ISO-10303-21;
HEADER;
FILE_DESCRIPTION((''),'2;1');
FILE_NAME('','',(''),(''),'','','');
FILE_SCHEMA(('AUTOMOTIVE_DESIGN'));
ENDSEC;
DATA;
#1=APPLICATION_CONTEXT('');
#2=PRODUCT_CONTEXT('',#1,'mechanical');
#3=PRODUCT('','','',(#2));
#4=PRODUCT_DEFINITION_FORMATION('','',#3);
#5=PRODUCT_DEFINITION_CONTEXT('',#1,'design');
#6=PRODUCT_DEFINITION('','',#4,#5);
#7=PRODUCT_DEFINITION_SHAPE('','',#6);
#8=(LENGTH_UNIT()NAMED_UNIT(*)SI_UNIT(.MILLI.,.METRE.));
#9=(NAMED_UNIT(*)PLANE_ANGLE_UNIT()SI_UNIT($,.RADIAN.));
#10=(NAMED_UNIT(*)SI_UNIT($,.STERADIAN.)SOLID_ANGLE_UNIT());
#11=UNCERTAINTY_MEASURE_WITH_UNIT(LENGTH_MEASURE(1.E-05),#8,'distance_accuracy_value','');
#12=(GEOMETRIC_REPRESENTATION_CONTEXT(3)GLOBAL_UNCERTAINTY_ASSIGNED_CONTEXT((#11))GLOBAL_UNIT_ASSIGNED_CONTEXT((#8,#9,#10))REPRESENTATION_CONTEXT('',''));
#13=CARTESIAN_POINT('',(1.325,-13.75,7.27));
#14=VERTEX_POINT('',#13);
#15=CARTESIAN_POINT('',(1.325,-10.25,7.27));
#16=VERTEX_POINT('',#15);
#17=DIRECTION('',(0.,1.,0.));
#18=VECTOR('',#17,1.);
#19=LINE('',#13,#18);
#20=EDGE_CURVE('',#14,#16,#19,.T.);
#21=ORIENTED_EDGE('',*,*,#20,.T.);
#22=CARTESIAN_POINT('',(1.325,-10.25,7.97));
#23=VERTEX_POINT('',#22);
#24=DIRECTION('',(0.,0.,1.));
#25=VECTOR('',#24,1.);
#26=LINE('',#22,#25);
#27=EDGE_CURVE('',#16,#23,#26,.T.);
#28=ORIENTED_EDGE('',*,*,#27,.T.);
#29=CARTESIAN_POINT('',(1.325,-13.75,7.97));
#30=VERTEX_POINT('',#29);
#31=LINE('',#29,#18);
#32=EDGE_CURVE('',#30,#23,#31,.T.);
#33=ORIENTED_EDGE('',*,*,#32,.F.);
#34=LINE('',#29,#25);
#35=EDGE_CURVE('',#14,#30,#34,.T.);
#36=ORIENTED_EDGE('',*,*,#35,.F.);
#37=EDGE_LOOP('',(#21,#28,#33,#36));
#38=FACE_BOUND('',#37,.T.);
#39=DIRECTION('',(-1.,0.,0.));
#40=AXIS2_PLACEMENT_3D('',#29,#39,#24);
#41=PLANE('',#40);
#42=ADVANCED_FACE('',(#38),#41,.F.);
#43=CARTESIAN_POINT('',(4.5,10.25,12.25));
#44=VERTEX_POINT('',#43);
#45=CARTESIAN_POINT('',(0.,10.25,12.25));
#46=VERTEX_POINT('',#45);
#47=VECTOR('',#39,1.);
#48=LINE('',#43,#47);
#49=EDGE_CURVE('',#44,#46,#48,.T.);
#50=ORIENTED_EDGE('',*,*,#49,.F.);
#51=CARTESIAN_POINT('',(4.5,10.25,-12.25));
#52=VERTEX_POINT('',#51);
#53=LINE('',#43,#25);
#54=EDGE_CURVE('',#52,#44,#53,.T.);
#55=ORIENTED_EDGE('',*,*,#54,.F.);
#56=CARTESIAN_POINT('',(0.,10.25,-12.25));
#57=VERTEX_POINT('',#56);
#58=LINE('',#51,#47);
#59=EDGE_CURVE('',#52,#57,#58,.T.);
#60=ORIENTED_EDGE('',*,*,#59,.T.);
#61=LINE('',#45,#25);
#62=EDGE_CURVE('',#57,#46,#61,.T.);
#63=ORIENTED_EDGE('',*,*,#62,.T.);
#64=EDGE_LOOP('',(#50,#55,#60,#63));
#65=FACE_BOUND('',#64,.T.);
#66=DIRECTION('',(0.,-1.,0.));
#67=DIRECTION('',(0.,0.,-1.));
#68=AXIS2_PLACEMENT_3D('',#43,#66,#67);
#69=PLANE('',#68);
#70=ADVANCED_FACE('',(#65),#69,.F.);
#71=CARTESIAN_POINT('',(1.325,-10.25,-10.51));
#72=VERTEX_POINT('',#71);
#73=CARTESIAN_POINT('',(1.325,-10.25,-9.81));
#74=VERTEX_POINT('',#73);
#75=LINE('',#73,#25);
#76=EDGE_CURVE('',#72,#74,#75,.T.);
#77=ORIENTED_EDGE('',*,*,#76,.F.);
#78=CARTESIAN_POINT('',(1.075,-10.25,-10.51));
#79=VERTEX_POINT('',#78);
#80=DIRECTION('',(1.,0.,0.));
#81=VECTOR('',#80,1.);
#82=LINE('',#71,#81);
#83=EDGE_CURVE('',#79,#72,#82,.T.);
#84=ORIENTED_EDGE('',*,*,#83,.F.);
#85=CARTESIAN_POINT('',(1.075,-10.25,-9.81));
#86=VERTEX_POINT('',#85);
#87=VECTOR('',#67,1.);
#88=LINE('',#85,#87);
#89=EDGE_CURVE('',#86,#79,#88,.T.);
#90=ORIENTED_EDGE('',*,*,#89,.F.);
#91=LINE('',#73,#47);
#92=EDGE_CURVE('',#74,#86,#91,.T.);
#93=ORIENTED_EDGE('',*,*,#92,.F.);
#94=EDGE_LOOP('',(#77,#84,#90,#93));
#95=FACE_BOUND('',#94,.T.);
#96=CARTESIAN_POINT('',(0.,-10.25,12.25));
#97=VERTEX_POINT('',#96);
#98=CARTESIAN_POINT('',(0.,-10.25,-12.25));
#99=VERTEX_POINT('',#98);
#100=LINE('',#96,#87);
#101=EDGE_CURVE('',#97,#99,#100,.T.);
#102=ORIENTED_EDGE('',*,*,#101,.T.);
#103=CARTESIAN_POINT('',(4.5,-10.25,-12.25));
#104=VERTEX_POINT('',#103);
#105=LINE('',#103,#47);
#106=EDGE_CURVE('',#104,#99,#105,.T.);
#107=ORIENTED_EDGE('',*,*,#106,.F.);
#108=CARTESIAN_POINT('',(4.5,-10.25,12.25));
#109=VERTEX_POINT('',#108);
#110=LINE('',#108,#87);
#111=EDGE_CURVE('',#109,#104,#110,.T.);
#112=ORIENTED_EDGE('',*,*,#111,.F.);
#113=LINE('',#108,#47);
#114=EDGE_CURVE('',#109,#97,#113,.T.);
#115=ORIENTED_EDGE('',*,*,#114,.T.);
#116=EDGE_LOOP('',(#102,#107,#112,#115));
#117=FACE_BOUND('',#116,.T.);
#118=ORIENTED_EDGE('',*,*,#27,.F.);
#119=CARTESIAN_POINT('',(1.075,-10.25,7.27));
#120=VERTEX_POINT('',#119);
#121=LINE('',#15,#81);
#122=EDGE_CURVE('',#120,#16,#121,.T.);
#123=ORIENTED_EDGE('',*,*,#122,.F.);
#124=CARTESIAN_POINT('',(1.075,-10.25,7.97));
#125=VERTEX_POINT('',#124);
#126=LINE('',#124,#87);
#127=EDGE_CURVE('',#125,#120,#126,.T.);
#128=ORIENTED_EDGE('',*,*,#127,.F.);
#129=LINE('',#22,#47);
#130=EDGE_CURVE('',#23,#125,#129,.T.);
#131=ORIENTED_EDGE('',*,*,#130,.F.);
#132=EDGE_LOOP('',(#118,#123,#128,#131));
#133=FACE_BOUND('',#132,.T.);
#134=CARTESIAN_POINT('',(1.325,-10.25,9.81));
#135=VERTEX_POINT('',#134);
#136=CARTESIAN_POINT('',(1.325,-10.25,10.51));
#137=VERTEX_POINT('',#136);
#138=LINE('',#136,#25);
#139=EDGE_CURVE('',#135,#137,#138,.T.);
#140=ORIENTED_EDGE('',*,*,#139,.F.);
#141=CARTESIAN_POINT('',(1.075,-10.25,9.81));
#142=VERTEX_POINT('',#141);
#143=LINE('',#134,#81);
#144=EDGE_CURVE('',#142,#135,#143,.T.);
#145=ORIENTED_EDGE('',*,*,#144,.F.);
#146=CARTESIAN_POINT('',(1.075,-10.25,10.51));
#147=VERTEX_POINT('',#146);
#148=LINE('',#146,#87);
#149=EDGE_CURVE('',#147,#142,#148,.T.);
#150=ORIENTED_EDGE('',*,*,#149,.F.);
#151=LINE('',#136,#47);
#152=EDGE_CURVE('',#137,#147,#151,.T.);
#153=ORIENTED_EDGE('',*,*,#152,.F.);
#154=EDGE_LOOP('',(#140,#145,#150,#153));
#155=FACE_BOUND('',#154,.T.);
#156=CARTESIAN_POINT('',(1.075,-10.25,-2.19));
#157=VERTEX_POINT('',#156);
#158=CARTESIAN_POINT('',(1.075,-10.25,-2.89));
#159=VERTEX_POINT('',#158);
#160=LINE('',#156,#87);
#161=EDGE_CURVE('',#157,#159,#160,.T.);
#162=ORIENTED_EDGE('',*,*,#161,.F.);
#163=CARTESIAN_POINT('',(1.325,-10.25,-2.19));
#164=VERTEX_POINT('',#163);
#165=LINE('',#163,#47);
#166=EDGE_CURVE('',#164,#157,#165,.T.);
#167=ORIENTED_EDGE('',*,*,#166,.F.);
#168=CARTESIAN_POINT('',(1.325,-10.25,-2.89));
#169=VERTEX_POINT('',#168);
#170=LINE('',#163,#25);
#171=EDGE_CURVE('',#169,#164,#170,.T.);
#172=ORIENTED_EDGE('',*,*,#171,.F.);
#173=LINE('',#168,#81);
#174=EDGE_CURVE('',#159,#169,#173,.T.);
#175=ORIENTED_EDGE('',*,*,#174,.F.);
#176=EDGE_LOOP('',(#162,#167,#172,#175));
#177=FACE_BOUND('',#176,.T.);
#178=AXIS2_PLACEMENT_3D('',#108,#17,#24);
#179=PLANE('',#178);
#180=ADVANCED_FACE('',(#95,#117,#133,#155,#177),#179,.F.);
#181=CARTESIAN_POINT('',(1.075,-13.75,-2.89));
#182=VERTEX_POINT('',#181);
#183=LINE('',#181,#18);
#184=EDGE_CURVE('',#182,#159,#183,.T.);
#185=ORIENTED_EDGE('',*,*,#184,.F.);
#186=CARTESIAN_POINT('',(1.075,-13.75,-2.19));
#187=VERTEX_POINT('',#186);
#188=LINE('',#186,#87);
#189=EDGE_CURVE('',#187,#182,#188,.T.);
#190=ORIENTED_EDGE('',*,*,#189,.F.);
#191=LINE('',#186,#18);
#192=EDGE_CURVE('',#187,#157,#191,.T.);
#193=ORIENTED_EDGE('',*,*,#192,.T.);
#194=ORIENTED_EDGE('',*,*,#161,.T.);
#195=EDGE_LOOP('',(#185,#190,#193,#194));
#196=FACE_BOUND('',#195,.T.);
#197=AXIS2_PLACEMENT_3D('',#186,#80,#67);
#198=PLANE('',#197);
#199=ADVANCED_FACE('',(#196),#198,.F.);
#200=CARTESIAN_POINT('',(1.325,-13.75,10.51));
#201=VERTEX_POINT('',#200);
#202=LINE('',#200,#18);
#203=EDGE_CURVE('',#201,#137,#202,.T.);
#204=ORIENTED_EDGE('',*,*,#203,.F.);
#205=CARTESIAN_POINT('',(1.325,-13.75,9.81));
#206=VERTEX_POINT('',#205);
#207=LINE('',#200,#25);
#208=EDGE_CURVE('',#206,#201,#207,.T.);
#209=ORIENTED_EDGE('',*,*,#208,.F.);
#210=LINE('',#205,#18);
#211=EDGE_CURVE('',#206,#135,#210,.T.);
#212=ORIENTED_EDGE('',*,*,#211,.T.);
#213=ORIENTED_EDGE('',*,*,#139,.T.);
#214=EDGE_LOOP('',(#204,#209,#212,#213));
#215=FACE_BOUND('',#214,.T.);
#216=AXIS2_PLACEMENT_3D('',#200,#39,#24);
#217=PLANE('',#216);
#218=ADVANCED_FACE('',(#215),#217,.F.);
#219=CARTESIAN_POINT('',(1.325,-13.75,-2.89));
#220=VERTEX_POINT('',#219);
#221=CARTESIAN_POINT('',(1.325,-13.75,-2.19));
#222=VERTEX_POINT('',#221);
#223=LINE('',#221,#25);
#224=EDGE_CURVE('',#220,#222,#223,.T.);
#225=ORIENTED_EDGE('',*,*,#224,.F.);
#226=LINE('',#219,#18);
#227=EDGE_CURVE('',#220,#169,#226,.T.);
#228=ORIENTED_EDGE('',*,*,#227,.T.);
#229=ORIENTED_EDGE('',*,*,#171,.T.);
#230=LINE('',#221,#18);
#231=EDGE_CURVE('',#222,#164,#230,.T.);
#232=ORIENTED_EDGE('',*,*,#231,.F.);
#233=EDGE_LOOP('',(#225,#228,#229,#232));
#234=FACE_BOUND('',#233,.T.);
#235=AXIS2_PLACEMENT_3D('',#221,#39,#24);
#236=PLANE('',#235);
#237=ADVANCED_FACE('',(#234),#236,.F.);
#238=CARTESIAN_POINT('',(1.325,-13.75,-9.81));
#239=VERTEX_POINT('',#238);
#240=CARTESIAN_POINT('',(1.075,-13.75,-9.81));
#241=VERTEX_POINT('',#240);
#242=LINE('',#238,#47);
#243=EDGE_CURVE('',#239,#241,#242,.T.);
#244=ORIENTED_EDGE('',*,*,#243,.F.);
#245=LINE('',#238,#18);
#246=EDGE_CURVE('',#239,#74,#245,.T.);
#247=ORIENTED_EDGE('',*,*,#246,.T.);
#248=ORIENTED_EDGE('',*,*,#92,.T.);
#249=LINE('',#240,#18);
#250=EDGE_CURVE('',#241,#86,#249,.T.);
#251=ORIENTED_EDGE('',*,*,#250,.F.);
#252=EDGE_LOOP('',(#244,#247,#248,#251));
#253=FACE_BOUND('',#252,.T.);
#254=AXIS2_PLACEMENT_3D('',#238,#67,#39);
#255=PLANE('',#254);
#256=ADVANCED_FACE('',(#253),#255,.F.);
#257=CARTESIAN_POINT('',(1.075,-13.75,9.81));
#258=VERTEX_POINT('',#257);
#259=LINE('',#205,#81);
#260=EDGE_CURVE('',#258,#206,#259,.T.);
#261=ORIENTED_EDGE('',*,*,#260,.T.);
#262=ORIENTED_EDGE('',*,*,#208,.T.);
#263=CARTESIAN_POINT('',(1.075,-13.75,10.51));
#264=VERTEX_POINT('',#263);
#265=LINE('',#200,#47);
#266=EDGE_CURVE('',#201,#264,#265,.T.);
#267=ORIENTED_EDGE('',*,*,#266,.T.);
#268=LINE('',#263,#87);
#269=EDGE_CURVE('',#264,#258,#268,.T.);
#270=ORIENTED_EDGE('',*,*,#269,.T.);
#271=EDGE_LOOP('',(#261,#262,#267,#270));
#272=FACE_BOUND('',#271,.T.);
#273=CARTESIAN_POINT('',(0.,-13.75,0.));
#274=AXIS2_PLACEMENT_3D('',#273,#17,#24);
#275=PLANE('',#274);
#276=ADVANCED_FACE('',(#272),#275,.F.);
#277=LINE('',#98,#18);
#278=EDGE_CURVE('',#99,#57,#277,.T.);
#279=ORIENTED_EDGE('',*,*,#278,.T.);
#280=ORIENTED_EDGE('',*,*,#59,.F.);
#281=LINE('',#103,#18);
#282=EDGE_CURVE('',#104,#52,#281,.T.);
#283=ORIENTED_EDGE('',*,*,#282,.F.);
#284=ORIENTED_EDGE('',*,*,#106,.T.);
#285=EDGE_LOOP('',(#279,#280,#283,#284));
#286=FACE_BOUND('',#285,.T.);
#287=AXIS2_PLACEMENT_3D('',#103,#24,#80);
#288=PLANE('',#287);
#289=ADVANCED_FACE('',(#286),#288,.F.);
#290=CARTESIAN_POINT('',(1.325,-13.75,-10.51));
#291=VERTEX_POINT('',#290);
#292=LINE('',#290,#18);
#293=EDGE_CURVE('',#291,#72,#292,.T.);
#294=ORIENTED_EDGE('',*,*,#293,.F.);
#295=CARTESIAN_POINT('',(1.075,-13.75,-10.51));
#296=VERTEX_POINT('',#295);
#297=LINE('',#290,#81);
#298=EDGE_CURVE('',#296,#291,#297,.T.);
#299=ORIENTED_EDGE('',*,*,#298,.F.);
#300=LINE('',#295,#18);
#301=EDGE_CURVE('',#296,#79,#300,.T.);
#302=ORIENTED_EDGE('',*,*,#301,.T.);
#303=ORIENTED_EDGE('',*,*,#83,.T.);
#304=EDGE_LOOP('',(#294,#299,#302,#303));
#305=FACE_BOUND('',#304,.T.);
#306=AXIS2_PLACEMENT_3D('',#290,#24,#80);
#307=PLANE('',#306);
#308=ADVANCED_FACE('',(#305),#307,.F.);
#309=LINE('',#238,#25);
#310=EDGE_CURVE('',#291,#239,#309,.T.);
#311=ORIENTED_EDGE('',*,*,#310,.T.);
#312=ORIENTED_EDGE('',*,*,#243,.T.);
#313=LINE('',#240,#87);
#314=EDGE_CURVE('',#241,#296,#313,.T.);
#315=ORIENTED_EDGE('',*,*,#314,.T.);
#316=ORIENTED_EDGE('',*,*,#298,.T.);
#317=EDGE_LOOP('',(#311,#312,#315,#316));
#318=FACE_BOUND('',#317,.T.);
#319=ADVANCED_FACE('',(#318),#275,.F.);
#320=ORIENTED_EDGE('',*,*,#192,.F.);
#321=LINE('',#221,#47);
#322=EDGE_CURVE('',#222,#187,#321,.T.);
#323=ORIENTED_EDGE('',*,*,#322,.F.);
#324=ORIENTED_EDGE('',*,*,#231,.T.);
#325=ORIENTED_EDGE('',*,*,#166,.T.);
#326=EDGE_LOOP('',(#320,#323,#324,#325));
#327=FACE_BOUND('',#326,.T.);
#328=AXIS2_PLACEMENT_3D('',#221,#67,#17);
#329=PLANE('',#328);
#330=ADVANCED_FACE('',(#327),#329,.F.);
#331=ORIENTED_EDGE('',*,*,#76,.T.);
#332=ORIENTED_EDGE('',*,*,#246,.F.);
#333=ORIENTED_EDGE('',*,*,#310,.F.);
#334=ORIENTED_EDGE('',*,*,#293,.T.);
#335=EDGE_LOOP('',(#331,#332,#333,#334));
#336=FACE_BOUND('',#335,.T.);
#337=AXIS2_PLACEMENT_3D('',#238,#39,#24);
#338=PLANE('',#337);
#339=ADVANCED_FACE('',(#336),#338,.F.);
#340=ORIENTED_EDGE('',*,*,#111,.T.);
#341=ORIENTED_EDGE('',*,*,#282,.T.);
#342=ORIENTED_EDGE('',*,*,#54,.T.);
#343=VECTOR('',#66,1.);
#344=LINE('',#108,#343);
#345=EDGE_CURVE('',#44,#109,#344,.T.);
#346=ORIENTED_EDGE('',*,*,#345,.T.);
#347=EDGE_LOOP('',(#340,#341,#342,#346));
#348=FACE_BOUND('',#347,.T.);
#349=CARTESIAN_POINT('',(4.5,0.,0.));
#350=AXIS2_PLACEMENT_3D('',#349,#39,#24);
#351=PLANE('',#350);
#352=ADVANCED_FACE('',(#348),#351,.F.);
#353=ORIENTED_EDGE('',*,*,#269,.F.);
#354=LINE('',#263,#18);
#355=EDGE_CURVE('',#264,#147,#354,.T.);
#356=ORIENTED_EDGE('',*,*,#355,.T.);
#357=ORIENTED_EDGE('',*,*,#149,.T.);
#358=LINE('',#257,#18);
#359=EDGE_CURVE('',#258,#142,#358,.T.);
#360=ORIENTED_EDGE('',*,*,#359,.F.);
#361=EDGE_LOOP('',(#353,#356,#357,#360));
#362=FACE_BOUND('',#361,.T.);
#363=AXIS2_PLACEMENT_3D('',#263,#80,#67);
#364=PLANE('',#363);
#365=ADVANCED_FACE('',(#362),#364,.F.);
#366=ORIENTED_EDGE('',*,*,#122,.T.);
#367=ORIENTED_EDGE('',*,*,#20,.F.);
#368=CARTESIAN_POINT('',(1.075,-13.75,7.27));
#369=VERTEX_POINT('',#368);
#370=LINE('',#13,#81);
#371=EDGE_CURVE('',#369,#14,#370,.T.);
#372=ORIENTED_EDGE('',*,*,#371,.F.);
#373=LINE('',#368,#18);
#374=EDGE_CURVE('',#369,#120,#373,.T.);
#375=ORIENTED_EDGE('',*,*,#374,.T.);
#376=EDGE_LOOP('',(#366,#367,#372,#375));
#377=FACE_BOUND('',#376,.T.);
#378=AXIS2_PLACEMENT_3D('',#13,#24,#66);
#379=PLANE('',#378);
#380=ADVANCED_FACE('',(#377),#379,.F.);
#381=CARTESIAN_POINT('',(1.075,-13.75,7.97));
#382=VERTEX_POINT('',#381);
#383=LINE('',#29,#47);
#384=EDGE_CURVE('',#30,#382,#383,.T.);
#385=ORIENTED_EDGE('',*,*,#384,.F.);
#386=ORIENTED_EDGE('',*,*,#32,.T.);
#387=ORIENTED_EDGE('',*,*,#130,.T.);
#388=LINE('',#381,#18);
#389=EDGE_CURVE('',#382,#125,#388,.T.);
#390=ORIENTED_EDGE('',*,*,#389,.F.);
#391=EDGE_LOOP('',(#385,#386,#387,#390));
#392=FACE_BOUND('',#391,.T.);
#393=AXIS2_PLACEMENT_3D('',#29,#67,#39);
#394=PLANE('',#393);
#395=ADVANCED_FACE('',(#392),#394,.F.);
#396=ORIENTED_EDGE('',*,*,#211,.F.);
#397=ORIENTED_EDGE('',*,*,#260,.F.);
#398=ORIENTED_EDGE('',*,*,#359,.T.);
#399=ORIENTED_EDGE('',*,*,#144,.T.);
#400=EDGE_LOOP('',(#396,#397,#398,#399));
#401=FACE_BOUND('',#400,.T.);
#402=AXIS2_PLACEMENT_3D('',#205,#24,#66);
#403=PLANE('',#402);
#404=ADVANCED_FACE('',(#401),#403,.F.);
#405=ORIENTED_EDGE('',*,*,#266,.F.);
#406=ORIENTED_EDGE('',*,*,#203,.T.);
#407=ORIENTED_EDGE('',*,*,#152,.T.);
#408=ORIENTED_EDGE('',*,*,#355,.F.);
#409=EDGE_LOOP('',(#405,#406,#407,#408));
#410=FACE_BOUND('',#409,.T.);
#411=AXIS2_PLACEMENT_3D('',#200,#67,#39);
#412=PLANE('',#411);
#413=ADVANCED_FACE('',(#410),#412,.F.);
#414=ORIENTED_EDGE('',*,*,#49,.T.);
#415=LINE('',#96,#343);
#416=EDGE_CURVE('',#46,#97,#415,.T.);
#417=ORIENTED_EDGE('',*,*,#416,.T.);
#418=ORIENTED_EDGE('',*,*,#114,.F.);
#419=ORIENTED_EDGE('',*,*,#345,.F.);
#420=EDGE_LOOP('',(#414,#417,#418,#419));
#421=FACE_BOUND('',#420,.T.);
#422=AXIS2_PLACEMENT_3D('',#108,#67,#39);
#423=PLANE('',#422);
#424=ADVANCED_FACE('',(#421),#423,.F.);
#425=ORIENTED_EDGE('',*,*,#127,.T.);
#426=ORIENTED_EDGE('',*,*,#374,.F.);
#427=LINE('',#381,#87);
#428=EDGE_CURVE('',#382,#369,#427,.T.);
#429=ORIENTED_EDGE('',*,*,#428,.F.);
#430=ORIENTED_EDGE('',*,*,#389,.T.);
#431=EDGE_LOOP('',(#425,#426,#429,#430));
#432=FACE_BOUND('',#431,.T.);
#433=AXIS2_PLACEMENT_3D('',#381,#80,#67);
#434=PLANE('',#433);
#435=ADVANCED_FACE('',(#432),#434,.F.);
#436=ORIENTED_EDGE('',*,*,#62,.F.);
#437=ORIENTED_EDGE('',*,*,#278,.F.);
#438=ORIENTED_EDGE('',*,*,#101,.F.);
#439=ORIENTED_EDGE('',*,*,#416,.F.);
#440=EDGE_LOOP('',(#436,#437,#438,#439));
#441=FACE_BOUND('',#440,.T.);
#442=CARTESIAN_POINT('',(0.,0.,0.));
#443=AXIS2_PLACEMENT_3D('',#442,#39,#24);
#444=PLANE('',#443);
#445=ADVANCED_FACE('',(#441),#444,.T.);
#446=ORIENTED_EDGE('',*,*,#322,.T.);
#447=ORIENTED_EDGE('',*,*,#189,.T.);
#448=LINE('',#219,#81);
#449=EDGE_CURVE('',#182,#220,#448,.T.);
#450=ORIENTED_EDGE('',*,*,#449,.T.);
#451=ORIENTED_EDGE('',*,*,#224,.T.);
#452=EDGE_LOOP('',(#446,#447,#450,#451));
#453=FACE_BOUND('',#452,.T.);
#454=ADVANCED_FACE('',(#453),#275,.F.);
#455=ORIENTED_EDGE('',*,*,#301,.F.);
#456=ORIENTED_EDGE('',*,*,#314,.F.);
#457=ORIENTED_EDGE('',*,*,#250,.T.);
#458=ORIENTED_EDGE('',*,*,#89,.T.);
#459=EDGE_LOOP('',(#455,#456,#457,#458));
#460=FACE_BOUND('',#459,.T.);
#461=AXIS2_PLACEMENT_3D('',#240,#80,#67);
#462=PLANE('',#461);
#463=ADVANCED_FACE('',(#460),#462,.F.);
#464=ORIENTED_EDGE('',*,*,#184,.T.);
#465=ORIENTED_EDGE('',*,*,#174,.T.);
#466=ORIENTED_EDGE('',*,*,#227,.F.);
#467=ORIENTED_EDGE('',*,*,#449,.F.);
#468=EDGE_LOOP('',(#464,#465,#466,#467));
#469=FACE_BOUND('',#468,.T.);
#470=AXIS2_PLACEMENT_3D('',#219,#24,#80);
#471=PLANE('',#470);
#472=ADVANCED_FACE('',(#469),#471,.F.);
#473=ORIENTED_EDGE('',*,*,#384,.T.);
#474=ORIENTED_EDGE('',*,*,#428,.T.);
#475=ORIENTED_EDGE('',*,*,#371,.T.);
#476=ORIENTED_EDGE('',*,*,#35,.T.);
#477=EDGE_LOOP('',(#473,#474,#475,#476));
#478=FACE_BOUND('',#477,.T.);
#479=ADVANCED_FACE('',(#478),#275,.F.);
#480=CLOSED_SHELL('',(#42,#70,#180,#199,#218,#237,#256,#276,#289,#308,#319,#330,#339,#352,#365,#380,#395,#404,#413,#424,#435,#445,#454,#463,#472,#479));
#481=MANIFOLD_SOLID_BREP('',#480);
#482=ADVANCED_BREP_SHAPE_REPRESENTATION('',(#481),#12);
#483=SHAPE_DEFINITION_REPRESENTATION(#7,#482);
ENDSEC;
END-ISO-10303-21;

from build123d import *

# Parameters (mm, degrees)
SKETCH1_W           = 24.5
SKETCH1_H           = 20.5
BOSS_EXTRUDE1_DEPTH = 4.5
SKETCH2_W           = 0.25
SKETCH2_H           = 0.7
BOSS_EXTRUDE2_DEPTH = 3.5


with BuildPart() as part:
    # Sketch1 → Boss-Extrude1 (new body)
    with BuildSketch(Plane(origin=(0, 0, 0), x_dir=(0, 0, -1), z_dir=(1, 0, 0))):
        Rectangle(SKETCH1_W, SKETCH1_H)
    extrude(amount=BOSS_EXTRUDE1_DEPTH)

    # Sketch2 → Boss-Extrude2 (add)
    with BuildSketch(Plane.XZ.offset(10.25)):
        with Locations((1.2, 7.62)):
            Rectangle(SKETCH2_W, SKETCH2_H)
        with Locations((1.2, 10.16)):
            Rectangle(SKETCH2_W, SKETCH2_H)
        with Locations((1.2, -2.54)):
            Rectangle(SKETCH2_W, SKETCH2_H)
        with Locations((1.2, -10.16)):
            Rectangle(SKETCH2_W, SKETCH2_H)
    extrude(amount=BOSS_EXTRUDE2_DEPTH)


solid = part.part
